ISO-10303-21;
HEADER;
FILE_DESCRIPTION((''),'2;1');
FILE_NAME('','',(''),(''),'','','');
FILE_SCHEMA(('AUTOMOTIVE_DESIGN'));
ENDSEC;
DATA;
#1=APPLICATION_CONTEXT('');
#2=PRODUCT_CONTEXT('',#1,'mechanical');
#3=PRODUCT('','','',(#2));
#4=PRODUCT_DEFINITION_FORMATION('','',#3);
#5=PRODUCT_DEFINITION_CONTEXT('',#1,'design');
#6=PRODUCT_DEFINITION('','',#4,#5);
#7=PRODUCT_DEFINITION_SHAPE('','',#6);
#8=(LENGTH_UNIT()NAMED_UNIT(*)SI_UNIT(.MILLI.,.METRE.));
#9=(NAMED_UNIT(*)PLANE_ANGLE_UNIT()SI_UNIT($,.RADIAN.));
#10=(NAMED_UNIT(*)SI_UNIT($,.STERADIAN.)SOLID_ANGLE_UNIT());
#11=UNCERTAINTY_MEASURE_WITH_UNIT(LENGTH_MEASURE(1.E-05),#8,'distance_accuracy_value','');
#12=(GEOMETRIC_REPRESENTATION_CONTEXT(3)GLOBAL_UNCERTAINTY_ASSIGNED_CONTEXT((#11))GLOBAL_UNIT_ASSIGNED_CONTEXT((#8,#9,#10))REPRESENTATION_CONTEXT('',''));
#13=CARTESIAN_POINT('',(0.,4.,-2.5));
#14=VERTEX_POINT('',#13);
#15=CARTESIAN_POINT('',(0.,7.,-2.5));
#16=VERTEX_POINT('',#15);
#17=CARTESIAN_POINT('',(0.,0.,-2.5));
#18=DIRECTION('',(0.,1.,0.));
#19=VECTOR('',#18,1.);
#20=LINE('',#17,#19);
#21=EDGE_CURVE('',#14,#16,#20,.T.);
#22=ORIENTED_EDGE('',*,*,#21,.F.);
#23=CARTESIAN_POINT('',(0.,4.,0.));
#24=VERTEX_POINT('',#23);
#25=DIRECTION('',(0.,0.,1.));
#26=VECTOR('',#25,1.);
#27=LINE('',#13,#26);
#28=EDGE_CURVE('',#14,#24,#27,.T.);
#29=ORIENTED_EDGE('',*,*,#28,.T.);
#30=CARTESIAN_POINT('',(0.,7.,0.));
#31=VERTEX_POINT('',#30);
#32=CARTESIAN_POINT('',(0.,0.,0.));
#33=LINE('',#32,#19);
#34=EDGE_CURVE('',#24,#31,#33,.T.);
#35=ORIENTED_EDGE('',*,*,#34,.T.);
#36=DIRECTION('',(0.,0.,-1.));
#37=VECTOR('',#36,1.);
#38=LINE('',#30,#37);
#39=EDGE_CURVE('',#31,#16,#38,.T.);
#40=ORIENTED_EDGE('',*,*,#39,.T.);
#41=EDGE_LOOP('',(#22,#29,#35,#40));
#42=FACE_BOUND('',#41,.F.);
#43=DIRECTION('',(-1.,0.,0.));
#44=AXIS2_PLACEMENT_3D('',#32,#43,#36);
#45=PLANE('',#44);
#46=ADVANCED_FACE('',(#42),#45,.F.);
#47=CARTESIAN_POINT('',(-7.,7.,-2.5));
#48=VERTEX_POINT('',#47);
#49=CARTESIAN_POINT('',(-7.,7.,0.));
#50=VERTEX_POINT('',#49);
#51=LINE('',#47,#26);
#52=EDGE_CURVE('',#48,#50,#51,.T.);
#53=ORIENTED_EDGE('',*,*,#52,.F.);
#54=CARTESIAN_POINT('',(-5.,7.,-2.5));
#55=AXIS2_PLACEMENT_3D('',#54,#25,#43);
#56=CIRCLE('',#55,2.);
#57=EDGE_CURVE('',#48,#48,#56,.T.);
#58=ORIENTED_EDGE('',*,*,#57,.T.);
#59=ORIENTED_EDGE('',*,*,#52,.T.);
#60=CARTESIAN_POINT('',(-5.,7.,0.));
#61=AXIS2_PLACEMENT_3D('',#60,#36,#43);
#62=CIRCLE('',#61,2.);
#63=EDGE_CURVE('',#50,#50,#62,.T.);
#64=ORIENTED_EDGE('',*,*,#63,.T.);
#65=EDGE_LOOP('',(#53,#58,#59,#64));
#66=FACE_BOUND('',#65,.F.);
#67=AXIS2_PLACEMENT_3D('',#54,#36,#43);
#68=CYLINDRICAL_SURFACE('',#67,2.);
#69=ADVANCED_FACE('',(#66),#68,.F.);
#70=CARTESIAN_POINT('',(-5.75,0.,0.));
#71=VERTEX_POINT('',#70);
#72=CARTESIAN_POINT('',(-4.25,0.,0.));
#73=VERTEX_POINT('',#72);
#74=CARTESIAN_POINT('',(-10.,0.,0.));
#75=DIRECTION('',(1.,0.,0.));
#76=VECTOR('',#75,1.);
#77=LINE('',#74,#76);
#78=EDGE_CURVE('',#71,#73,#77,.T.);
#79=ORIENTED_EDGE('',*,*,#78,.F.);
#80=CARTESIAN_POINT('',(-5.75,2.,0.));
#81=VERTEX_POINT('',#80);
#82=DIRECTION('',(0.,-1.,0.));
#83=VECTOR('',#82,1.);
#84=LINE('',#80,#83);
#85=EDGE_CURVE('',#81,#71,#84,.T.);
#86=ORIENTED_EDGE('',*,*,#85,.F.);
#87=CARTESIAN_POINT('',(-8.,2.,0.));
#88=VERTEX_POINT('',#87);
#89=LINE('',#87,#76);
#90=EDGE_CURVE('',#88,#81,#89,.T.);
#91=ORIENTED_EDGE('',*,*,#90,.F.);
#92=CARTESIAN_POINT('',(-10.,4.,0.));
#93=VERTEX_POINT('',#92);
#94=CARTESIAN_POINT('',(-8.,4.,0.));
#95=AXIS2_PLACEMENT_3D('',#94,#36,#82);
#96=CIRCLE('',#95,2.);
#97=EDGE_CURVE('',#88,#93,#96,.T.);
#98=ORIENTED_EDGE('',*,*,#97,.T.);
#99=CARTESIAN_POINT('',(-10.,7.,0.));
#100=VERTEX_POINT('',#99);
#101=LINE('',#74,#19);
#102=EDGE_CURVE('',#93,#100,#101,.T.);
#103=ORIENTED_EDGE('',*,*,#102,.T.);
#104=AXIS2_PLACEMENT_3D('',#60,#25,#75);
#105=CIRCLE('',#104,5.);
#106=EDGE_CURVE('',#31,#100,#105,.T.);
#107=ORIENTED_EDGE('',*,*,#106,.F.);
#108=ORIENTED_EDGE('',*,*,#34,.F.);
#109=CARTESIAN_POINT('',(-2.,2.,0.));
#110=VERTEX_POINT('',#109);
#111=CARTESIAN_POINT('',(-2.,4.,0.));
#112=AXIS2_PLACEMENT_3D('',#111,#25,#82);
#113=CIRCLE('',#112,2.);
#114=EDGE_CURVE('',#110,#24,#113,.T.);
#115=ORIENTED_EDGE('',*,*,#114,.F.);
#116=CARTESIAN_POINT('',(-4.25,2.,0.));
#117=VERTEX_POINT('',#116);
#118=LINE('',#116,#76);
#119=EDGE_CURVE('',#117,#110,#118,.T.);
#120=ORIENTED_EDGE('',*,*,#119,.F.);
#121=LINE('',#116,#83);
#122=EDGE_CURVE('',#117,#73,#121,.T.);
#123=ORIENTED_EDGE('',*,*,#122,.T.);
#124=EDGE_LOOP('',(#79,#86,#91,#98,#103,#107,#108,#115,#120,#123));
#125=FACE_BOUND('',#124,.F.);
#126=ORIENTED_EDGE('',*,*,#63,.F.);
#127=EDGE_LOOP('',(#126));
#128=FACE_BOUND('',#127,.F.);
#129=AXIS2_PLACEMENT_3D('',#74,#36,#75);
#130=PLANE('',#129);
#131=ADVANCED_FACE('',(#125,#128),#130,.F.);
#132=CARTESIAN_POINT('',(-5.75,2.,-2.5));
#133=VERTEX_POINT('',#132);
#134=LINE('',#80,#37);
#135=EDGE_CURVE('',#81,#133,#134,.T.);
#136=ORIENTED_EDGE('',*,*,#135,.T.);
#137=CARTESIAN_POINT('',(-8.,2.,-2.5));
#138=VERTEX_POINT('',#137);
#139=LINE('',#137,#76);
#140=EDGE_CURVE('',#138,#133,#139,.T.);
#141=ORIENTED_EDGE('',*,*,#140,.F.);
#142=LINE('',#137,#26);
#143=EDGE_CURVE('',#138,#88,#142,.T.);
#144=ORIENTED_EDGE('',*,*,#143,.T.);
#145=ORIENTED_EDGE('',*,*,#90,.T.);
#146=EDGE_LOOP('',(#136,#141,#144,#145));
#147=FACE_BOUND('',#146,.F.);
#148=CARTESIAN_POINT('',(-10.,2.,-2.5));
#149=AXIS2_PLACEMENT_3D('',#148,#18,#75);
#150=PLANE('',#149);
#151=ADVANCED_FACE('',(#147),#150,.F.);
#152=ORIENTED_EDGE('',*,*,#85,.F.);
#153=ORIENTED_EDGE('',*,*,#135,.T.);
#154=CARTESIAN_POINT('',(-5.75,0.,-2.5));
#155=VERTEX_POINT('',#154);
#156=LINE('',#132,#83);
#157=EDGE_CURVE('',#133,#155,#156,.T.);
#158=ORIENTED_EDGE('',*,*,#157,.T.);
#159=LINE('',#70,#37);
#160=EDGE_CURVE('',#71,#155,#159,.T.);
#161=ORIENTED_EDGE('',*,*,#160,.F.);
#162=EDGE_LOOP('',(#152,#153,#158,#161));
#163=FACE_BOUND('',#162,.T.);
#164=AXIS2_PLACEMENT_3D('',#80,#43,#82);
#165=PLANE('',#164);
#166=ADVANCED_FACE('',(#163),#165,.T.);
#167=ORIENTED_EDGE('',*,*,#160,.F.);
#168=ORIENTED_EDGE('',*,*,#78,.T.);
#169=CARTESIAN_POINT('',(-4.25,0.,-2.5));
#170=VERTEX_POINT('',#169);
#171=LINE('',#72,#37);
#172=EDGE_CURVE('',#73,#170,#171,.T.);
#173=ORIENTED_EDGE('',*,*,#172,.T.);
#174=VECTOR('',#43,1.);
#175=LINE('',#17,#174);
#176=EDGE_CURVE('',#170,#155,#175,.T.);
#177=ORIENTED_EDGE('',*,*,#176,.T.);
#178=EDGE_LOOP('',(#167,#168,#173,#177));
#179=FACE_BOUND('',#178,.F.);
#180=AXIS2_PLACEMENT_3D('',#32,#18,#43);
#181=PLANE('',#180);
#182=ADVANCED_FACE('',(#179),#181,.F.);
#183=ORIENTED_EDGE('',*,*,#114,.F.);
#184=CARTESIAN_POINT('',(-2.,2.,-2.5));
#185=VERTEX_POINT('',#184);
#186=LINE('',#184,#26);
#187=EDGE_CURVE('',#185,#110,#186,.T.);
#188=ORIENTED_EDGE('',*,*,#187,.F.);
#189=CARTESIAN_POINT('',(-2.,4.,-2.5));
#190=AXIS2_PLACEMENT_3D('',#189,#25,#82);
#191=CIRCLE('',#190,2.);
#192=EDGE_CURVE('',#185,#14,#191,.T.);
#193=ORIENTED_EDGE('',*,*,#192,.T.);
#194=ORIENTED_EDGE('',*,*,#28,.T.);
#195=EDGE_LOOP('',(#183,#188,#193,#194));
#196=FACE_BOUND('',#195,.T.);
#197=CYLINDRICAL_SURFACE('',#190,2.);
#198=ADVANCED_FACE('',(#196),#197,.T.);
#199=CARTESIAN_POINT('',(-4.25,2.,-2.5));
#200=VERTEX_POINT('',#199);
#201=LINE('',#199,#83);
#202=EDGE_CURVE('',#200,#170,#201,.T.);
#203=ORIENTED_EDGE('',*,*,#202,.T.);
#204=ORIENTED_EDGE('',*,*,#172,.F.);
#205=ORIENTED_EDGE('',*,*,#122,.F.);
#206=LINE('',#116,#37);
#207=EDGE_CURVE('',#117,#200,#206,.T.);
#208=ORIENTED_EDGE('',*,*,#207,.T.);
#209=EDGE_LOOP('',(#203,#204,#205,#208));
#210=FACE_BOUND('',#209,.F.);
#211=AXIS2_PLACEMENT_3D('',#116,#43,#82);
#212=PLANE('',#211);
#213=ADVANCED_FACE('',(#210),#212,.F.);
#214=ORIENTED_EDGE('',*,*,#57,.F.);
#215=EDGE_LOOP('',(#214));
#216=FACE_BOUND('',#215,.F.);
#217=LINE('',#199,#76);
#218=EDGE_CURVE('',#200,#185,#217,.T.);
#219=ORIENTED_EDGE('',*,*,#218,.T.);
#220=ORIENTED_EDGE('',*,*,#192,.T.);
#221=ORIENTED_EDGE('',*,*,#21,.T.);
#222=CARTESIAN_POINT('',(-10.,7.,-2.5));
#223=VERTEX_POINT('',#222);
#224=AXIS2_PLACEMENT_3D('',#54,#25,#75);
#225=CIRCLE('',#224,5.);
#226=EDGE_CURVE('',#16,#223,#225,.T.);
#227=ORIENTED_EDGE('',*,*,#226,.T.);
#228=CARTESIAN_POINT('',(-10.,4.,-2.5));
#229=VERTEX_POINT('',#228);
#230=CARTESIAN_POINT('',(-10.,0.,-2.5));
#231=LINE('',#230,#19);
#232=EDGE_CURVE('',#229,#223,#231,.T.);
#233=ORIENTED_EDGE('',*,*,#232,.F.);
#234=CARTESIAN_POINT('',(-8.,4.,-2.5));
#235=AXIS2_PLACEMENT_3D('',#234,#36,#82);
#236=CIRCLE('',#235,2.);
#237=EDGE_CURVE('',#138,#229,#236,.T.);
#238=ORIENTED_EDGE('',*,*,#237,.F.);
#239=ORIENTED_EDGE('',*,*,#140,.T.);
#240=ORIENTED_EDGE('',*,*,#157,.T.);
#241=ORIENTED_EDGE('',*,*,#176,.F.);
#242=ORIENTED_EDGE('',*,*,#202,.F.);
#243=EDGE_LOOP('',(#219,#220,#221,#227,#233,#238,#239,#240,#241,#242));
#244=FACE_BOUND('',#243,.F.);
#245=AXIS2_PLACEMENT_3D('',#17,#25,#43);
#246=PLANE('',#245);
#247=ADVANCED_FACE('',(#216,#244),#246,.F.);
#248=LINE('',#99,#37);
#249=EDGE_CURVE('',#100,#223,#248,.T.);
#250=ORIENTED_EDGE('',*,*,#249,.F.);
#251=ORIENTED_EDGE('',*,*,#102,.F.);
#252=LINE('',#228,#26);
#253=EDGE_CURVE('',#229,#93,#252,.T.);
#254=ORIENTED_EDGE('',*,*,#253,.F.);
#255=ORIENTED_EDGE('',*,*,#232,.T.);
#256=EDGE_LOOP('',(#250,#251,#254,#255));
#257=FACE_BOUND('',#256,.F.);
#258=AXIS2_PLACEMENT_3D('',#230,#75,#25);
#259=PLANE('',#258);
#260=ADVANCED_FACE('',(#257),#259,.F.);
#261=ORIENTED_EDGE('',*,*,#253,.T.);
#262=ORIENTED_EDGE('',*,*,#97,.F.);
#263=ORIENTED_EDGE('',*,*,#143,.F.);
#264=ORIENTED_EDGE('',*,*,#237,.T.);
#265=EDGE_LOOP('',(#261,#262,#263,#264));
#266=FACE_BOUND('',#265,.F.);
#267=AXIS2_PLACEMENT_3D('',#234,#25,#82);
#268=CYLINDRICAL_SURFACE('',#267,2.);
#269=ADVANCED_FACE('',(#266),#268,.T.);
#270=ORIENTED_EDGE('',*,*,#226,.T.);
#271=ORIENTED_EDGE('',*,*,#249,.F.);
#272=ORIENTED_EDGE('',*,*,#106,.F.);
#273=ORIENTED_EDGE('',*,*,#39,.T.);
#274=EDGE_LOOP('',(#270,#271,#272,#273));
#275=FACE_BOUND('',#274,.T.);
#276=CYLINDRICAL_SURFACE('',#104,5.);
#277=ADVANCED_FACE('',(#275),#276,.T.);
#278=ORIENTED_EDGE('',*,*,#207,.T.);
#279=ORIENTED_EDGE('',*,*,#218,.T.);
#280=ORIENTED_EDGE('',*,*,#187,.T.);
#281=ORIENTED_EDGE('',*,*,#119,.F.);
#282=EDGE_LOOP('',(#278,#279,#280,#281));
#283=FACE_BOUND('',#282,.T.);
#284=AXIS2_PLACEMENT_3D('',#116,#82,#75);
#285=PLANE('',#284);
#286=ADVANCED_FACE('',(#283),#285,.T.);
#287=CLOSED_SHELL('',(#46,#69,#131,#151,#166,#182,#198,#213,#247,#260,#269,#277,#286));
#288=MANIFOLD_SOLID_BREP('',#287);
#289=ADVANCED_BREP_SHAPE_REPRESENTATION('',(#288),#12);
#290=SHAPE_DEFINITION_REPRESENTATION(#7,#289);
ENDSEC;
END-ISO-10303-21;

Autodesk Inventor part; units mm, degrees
ref_plane "YZ Plane" through (0, 0, 0) normal (1, 0, 0) x (0, 1, 0)
ref_plane "XZ Plane" through (0, 0, 0) normal (0, 1, 0) x (-1, 0, 0)
ref_plane "XY Plane" through (0, 0, 0) normal (0, 0, 1) x (1, 0, 0)
sketch "Sketch1" plane through (0, 0, 0) normal (0, 1, 0) x (-1, 0, 0)
  line L0 (0, 0) -> (0, -2.5)
  line L1 (0, -2.5) -> (10, -2.5)
  line L2 (10, -2.5) -> (10, 0)
  line L3 (10, 0) -> (0, 0)
  dimension "d0" = 2.5
  dimension "d1" = 10
  dimension "d2" = 90
  dimension "d3" = 2.5
extrude "Extrusion1" add sketch "Sketch1" along normal blind 12
sketch "Sketch4" plane through (0, 0, -2.5) normal (0, 0, -1) x (-1, 0, 0)
  line L0 (0, 0) -> (0, 2)
  line L1 (0, 0) -> (0, 12) projected
  line L2 (0, 2) -> (4, 2)
  line L3 (10, 0) -> (10, 12) projected
  line L4 (4, 2) -> (0, 0)
  line L5 (0, 0) -> (10, 0) projected
  line L6 (10, 0) -> (10, 2)
  line L7 (10, 2) -> (6, 2)
  line L8 (6, 2) -> (10, 0)
  dimension "d9" = 2
  dimension "d10" = 4
  dimension "d11" = 2
  dimension "d12" = 4
extrude "Extrusion3" cut sketch "Sketch4" against normal up to surface (2.5 mm away)
sketch "Sketch5" plane through (0, 12, -2.5) normal (0, 0, -1) x (-1, 0, 0)
  point P0 (0, -12)
sketch "Sketch6" plane through (0, 12, -2.5) normal (0, 0, -1) x (-1, 0, 0)
  line L0 (0, -10) -> (0, 0) projected
  line L1 (0, -5) -> (10, -5)
  line L2 (10, -10) -> (10, 0) projected
  line L3 (0, 0) -> (10, 0) projected
  line L4 (5, 0) -> (5, -10)
  circle A0 centre (5, -5) radius 2
  point P0 (0, -12)
  dimension "d15" = 4
extrude "Extrusion4" cut sketch "Sketch6" against normal up to surface (2.5 mm away) contours A0 L4 L1 | L1 L4 A0 | L4 A0 L1 | L1 A0 L4
fillet "Fillet1" radius 2 4 edges at (0, 12, -1.25) (0, 2, -1.25) (-10, 12, -1.25) (-10, 2, -1.25)
fillet "Fillet2" radius 0.5 1 edges at (0, 0, -1.25)
fillet "Fillet3" radius 0.5 1 edges at (-10, 0, -1.25)
sketch "Sketch7" plane through (-8, 12, 0) normal (0, 0, 1) x (1, 0, 0)
  circle A0 centre (3, -5) radius 2 projected
  arc A1 (8, -2) -> (6, 0) centre (6, -2) ccw projected
  circle A2 centre (3, -5) radius 5
  line L0 (6, 0) -> (0, 0) projected
  arc A3 (-0.1056, -11.0528) -> (0.118, -12) centre (0.118, -11.5) ccw projected
  line L1 (0.118, -12) -> (5.882, -12) projected
  arc A4 (5.882, -12) -> (6.1056, -11.0528) centre (5.882, -11.5) ccw projected
  line L2 (6.1056, -11.0528) -> (4, -10) projected
  line L3 (4, -10) -> (6, -10) projected
  arc A5 (6, -10) -> (8, -8) centre (6, -8) ccw projected
  line L4 (8, -8) -> (8, -2) projected
  arc A6 (8, -2) -> (6, 0) centre (6, -2) ccw projected
  line L5 (0, 0) -> (6, 0) projected
  arc A7 (0, 0) -> (-2, -2) centre (0, -2) ccw projected
  line L6 (-2, -8) -> (-2, -2) projected
  arc A8 (-2, -8) -> (0, -10) centre (0, -8) ccw projected
  line L7 (0, -10) -> (2, -10) projected
  line L8 (2, -10) -> (-0.1056, -11.0528) projected
  circle A9 centre (3, -5) radius 2 projected
  point P0 (8, -12)
  point P1 (-2, -5)
  point P2 (3, 0)
  point P3 (8, -5)
  point P4 (8, -2)
extrude "Extrusion5" cut sketch "Sketch7" against normal up to surface (2.5 mm away) contours L4 A2 L0 A1 | A2 L6 A7 L0
sketch "Sketch8" plane through (-8, 2, 0) normal (0, 0, 1) x (1, 0, 0)
  circle A0 centre (3, 5) radius 2 projected
  arc A1 (8, 5) -> (-2, 5) centre (3, 5) ccw projected
  line L0 (-2, 2) -> (-2, 5) projected
  arc A2 (-2, 2) -> (0, 0) centre (0, 2) ccw projected
  line L1 (0, 0) -> (2, 0) projected
  line L2 (2, 0) -> (-0.1056, -1.0528) projected
  arc A3 (-0.1056, -1.0528) -> (0.118, -2) centre (0.118, -1.5) ccw projected
  line L3 (0.118, -2) -> (5.882, -2) projected
  arc A4 (5.882, -2) -> (6.1056, -1.0528) centre (5.882, -1.5) ccw projected
  line L4 (6.1056, -1.0528) -> (4, 0) projected
  line L5 (4, 0) -> (6, 0) projected
  arc A5 (6, 0) -> (8, 2) centre (6, 2) ccw projected
  line L6 (8, 2) -> (8, 5) projected
  line L7 (2, 0) -> (0, 0) projected
  line L8 (2, 0) -> (2, -2)
  line L9 (5.882, -2) -> (0.118, -2) projected
  line L10 (4, 0) -> (4, -2)
  line L11 (3, 0) -> (2.25, 0)
  line L12 (3, 0) -> (3.75, 0)
  line L13 (3.75, 0) -> (3.75, -2)
  line L14 (2.25, 0) -> (2.25, -2)
  line L15 (2.25, -2) -> (3.75, -2)
  line L16 (-0.1056, -1.0528) -> (2, 0) projected
  line L17 (2, 0) -> (4, 0)
  line L18 (2, -2) -> (4, -2)
  point P0 (8, -2)
  point P1 (2, -2)
  point P2 (2.25, 0)
  point P3 (2.25, -2)
  point P4 (3.75, 0)
  dimension "d25" = 0.75
  dimension "d26" = 0.75
extrude "Extrusion6" cut sketch "Sketch8" against normal up to surface (2.5 mm away) contours L4 A4 L3 L10 | L10 L3 L13 L17 | L8 L3 A3 L2 | L17 L14 L3 L8
properties part number "Knuckle Attachment DirectInsert"
